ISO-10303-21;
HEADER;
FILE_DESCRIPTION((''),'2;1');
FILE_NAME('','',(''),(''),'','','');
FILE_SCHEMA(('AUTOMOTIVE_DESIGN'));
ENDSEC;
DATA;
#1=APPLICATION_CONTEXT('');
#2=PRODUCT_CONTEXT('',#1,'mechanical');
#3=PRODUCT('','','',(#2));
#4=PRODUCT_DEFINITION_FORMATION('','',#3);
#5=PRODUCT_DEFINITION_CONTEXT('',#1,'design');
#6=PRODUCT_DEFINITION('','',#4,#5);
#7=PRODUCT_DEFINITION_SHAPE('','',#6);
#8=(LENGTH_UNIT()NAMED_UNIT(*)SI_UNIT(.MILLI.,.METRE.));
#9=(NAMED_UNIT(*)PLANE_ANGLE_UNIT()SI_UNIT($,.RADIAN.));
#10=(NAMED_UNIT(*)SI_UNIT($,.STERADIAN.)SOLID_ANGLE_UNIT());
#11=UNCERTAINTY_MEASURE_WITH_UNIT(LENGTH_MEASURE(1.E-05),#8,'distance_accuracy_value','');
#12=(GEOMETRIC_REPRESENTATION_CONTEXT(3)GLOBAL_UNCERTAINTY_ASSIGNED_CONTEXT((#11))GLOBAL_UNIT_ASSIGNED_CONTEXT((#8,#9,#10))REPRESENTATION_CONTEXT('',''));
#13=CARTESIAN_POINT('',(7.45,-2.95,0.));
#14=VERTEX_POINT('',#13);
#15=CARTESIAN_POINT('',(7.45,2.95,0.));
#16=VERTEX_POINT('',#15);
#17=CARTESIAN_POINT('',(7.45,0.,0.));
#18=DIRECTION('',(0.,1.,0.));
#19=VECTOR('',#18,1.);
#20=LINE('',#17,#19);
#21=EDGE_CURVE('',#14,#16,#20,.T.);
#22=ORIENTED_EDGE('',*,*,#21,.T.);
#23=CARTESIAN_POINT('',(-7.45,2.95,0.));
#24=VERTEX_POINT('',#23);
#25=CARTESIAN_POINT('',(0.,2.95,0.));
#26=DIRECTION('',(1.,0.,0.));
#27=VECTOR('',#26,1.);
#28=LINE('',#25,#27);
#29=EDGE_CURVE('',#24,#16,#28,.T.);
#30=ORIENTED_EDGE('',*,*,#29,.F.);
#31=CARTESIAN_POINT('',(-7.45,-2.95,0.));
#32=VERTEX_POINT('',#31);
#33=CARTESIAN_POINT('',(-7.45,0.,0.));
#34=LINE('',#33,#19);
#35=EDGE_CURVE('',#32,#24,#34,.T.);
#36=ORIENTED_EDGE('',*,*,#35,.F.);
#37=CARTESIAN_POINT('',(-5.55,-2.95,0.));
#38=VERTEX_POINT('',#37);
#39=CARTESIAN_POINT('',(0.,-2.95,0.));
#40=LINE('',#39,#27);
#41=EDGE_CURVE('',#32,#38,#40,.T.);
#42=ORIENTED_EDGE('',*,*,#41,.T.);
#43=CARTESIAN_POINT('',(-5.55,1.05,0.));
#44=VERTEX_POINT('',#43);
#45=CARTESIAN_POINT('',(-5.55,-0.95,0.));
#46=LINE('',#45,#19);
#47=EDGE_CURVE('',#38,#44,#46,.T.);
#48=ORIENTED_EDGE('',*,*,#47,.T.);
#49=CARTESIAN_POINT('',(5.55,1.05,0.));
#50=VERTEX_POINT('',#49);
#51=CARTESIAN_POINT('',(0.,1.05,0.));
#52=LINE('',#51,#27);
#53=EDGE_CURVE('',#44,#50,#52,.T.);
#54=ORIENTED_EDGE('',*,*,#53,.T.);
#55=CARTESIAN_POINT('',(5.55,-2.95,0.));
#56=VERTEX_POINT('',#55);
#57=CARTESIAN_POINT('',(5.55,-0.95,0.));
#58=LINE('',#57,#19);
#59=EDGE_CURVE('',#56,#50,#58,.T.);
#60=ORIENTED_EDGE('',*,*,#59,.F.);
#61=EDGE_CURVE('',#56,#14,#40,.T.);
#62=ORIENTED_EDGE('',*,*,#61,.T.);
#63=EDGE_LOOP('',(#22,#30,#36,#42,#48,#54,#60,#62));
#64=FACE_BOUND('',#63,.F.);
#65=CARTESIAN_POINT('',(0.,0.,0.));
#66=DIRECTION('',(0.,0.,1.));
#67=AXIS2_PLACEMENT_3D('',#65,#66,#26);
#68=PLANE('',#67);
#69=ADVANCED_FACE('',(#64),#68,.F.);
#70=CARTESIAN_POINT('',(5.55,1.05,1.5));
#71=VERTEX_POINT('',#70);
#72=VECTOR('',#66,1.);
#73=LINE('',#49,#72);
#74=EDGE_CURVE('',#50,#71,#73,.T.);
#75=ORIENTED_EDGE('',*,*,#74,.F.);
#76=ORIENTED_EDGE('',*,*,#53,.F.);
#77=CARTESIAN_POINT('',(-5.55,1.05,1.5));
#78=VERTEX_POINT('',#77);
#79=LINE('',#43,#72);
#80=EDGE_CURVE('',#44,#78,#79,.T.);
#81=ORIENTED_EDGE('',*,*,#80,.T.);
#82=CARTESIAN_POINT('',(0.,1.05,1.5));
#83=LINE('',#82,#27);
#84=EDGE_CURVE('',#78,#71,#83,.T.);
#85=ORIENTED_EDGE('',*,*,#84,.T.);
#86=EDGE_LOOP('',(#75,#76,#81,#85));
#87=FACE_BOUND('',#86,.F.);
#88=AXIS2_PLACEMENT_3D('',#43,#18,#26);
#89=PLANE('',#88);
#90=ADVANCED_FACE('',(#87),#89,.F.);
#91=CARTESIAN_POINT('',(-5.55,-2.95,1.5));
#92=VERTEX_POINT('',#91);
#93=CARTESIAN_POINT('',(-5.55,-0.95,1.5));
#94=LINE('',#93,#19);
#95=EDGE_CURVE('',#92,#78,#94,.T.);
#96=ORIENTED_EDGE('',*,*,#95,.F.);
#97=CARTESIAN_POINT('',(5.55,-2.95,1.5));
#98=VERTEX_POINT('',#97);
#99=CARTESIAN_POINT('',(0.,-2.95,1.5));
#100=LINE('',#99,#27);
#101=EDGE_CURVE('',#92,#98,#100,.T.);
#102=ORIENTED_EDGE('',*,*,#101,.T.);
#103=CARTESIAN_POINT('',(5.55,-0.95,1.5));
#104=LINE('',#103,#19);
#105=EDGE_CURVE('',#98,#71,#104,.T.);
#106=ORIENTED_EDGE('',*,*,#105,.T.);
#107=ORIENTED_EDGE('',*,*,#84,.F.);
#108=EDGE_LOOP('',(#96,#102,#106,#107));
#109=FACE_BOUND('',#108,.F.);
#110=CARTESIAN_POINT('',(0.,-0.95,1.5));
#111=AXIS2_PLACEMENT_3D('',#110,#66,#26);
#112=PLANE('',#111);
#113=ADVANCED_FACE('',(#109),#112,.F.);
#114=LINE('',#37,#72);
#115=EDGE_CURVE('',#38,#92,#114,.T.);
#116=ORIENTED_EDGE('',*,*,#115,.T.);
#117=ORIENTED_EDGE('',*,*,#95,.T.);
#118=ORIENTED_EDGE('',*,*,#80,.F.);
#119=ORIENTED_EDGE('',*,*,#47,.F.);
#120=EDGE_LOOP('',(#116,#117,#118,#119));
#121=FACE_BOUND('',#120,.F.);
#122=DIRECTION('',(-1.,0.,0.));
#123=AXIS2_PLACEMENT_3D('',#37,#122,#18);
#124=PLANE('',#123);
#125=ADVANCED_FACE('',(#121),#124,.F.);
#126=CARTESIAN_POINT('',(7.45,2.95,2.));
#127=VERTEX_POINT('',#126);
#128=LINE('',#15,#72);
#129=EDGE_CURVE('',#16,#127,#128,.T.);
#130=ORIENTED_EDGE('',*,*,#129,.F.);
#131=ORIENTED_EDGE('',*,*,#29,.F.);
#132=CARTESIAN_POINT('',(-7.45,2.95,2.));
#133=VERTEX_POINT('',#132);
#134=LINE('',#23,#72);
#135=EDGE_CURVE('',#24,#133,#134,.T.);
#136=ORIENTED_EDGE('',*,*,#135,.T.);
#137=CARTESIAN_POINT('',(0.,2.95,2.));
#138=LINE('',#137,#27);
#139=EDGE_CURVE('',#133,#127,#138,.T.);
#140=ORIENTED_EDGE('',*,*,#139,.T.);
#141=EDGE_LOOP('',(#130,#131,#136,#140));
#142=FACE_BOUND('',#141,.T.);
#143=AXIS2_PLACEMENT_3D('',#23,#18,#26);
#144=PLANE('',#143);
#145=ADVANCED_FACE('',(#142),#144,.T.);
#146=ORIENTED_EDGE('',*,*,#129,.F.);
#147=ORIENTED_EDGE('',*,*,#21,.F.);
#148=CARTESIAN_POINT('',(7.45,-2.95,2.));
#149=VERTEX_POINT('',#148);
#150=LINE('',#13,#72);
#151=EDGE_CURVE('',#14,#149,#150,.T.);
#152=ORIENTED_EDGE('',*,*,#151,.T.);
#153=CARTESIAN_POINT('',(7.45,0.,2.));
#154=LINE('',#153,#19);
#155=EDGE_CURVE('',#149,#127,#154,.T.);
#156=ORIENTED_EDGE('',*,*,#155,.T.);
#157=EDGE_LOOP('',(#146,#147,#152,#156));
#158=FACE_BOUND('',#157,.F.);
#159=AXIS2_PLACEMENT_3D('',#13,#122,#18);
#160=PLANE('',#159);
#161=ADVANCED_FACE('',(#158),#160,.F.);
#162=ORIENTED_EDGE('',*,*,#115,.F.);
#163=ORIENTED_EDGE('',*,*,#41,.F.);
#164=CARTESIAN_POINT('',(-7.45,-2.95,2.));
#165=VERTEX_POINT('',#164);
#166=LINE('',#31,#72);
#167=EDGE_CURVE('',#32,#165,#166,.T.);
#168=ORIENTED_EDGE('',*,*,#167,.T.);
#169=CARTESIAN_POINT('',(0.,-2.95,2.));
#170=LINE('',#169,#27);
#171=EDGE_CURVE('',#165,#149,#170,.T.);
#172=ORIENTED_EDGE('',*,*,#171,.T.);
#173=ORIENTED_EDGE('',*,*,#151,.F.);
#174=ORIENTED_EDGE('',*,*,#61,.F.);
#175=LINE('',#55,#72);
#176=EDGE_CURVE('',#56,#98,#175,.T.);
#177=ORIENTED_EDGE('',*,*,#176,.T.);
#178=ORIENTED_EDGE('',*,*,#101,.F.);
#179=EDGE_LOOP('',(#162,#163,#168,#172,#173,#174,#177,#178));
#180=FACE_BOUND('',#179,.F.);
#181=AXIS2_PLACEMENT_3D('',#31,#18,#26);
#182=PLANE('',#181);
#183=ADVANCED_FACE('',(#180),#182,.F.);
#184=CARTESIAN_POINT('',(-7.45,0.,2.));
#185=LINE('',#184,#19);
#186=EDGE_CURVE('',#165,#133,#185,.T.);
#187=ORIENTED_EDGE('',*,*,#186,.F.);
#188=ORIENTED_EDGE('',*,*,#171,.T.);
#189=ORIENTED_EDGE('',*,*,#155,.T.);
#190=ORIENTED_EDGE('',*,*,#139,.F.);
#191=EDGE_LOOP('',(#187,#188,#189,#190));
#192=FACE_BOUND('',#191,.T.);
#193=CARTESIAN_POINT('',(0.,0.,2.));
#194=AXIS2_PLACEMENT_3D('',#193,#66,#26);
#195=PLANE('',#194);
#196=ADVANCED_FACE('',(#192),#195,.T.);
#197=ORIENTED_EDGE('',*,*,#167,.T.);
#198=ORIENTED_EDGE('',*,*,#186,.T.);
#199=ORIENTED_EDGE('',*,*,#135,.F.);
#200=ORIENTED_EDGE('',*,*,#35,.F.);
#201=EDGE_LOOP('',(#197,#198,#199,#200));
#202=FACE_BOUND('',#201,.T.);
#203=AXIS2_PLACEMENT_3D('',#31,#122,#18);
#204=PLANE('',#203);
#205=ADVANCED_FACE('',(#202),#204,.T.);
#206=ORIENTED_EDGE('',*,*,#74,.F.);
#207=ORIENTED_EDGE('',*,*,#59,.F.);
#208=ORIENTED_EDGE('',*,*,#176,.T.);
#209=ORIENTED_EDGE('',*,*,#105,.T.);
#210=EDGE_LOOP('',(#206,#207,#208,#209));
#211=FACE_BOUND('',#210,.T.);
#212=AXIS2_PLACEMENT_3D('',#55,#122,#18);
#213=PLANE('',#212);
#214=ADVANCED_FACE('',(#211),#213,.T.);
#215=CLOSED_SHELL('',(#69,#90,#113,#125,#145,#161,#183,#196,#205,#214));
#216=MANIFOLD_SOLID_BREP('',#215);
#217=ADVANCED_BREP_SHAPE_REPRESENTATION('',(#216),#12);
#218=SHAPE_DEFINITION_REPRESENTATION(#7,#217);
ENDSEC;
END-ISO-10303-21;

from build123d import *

# Parameters (mm, degrees)
SKETCH001_W  = 11.1
SKETCH001_H  = 4
PAD001_DEPTH = 1.5
SKETCH_W     = 14.9
SKETCH_H     = 5.9
PAD_DEPTH    = 2


with BuildPart() as wyciecie:
    # Sketch001 → Pad001 (new body)
    with BuildSketch(Plane.XY):
        with Locations((0, -0.95)):
            Rectangle(SKETCH001_W, SKETCH001_H)
    extrude(amount=PAD001_DEPTH)


with BuildPart() as cut:
    # Sketch → Pad (new body)
    with BuildSketch(Plane.XY):
        Rectangle(SKETCH_W, SKETCH_H)
    extrude(amount=PAD_DEPTH)

    # Cut: cut wyciecie
    add(wyciecie.part, mode=Mode.SUBTRACT)


solid = cut.part
